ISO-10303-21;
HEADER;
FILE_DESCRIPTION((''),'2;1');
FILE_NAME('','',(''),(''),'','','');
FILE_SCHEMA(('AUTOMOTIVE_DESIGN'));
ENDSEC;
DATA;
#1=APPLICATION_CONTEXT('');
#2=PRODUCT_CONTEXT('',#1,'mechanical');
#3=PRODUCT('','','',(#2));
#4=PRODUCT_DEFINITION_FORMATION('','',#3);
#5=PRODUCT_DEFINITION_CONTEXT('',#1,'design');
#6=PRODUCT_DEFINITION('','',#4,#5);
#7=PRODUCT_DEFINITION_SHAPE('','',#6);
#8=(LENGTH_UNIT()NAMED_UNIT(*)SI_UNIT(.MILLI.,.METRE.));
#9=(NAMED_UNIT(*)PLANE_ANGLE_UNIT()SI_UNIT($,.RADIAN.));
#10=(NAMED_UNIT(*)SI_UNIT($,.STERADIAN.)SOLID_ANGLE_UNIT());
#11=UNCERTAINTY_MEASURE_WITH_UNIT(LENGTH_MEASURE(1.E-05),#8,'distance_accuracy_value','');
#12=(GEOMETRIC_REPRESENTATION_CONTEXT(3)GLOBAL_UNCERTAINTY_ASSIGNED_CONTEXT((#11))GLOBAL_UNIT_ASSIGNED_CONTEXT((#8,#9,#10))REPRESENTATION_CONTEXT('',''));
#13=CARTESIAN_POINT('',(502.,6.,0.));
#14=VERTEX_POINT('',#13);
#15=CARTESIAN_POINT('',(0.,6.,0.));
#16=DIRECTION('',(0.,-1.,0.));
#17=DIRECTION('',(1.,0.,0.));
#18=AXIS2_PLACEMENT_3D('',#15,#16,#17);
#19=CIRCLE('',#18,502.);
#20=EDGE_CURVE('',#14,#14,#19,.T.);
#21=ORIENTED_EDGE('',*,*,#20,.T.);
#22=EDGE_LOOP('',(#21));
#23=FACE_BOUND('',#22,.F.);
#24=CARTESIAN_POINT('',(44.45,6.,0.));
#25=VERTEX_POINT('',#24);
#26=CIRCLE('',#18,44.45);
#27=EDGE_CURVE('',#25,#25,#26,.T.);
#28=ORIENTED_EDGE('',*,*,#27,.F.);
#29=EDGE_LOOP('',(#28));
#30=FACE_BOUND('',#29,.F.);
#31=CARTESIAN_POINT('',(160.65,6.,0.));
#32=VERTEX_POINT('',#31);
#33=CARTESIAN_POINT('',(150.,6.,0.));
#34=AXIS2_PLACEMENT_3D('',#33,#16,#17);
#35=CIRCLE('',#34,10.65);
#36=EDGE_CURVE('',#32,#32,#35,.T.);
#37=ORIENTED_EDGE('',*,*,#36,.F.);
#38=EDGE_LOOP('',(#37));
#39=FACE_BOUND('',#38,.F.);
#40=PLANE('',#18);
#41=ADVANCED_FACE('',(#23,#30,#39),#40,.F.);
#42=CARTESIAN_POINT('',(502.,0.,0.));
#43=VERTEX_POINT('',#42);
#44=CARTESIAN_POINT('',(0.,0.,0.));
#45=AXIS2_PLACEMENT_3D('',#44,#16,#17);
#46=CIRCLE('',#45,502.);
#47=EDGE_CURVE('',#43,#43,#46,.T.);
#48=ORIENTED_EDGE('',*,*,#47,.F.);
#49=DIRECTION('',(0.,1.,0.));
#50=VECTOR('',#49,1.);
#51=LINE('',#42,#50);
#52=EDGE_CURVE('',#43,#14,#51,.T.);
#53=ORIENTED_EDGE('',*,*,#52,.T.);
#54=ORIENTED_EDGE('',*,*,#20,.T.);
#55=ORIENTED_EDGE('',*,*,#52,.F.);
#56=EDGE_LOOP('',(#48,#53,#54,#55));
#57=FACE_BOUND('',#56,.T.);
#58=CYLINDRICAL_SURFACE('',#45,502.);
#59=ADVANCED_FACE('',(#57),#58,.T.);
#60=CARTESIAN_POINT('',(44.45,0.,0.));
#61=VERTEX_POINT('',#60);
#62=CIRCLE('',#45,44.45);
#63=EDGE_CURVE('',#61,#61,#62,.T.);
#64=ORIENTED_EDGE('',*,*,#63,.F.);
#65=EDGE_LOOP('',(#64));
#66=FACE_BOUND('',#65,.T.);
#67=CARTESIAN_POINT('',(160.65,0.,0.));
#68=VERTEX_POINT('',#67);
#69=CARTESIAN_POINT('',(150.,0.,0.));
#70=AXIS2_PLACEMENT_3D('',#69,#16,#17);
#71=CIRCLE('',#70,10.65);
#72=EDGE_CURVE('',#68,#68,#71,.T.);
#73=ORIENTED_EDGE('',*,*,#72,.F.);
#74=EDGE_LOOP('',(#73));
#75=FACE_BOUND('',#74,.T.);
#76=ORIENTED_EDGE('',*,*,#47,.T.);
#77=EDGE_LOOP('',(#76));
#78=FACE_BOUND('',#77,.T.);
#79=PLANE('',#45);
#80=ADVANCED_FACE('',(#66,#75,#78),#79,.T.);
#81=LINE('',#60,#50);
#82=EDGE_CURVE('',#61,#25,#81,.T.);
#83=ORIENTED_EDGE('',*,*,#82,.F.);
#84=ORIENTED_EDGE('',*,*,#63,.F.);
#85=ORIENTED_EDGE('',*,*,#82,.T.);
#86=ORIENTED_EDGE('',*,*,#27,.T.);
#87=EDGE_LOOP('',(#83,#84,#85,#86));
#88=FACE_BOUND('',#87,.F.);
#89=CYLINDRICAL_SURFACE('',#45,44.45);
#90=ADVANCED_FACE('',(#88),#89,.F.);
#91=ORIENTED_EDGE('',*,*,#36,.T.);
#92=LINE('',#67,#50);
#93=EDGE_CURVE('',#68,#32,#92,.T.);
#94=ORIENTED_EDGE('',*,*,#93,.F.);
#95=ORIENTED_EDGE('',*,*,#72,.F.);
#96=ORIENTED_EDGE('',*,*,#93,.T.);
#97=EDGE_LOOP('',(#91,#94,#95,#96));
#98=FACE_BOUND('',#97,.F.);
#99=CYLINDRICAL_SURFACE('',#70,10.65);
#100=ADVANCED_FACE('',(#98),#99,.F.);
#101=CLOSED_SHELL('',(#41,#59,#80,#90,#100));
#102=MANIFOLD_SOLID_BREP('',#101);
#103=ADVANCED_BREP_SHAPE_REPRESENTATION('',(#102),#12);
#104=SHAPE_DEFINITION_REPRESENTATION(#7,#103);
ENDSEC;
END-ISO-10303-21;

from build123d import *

# Parameters (mm, degrees)
F0_R     = 502
F0_R_2   = 44.45
F0_R_3   = 10.65
F1_DEPTH = 6


with BuildPart() as f1:
    # F0 (on Front) → F1 (new body)
    with BuildSketch(Plane.XZ):
        Circle(F0_R)
        Circle(F0_R_2, mode=Mode.SUBTRACT)
        with Locations((150, 0)):
            Circle(F0_R_3, mode=Mode.SUBTRACT)
    extrude(amount=-F1_DEPTH)


solid = f1.part
